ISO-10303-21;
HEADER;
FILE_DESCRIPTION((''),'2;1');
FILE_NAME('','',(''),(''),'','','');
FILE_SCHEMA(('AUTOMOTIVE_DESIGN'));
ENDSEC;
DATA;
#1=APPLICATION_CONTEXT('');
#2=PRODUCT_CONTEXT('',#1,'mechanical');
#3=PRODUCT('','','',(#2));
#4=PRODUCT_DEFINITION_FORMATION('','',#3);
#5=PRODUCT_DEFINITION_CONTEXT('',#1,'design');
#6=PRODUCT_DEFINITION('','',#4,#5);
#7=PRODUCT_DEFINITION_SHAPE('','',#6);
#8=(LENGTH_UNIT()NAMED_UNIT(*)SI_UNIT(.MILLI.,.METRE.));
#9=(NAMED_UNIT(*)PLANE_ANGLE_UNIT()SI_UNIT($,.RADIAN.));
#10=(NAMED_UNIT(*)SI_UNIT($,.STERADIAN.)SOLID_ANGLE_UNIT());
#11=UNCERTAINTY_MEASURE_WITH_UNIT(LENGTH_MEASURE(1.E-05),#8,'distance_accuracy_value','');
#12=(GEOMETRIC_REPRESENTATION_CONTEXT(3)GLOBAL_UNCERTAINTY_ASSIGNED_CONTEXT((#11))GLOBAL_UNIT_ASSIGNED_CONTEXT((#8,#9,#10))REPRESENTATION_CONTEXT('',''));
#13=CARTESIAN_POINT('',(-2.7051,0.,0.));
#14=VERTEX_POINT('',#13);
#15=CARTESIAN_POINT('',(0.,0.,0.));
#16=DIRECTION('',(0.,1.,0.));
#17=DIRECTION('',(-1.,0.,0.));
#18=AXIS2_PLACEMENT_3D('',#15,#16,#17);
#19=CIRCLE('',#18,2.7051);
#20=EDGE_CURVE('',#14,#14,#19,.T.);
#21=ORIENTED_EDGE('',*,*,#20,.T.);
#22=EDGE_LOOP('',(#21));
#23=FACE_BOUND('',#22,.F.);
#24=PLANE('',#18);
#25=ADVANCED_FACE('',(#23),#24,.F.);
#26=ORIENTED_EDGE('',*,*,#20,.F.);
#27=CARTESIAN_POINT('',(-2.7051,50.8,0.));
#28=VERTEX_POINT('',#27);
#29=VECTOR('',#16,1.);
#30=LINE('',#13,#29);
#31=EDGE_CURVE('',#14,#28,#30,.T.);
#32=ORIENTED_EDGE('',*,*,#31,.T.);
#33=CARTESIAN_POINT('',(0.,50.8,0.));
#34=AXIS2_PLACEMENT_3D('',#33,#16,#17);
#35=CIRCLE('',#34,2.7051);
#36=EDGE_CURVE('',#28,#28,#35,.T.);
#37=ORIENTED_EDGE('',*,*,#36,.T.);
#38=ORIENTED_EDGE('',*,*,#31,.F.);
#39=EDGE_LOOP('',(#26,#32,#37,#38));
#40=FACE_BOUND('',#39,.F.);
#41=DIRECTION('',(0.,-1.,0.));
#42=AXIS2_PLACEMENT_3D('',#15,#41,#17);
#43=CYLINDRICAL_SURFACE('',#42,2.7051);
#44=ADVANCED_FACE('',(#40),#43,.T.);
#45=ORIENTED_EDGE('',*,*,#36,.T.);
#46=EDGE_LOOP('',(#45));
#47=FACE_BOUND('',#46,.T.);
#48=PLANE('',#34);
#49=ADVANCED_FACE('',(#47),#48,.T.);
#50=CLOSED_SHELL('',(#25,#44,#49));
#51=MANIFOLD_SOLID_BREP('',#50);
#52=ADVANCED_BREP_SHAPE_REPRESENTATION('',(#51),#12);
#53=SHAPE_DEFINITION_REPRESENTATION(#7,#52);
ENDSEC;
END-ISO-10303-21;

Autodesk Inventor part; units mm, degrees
ref_plane "YZ Plane" through (0, 0, 0) normal (1, 0, 0) x (0, 1, 0)
ref_plane "XZ Plane" through (0, 0, 0) normal (0, 1, 0) x (-1, 0, 0)
ref_plane "XY Plane" through (0, 0, 0) normal (0, 0, 1) x (1, 0, 0)
sketch "Sketch1" plane through (0, 0, 0) normal (0, 1, 0) x (-1, 0, 0)
  circle A0 centre (0, 0) radius 2.7051
  dimension "d0" = 5.4102
extrude "Extrusion1" add sketch "Sketch1" along normal blind 50.8
thread "Thread1" size "12-24 UNC" class "2A" standard "ANSI Unified Screw Threads" full length
properties part number "bolt"
